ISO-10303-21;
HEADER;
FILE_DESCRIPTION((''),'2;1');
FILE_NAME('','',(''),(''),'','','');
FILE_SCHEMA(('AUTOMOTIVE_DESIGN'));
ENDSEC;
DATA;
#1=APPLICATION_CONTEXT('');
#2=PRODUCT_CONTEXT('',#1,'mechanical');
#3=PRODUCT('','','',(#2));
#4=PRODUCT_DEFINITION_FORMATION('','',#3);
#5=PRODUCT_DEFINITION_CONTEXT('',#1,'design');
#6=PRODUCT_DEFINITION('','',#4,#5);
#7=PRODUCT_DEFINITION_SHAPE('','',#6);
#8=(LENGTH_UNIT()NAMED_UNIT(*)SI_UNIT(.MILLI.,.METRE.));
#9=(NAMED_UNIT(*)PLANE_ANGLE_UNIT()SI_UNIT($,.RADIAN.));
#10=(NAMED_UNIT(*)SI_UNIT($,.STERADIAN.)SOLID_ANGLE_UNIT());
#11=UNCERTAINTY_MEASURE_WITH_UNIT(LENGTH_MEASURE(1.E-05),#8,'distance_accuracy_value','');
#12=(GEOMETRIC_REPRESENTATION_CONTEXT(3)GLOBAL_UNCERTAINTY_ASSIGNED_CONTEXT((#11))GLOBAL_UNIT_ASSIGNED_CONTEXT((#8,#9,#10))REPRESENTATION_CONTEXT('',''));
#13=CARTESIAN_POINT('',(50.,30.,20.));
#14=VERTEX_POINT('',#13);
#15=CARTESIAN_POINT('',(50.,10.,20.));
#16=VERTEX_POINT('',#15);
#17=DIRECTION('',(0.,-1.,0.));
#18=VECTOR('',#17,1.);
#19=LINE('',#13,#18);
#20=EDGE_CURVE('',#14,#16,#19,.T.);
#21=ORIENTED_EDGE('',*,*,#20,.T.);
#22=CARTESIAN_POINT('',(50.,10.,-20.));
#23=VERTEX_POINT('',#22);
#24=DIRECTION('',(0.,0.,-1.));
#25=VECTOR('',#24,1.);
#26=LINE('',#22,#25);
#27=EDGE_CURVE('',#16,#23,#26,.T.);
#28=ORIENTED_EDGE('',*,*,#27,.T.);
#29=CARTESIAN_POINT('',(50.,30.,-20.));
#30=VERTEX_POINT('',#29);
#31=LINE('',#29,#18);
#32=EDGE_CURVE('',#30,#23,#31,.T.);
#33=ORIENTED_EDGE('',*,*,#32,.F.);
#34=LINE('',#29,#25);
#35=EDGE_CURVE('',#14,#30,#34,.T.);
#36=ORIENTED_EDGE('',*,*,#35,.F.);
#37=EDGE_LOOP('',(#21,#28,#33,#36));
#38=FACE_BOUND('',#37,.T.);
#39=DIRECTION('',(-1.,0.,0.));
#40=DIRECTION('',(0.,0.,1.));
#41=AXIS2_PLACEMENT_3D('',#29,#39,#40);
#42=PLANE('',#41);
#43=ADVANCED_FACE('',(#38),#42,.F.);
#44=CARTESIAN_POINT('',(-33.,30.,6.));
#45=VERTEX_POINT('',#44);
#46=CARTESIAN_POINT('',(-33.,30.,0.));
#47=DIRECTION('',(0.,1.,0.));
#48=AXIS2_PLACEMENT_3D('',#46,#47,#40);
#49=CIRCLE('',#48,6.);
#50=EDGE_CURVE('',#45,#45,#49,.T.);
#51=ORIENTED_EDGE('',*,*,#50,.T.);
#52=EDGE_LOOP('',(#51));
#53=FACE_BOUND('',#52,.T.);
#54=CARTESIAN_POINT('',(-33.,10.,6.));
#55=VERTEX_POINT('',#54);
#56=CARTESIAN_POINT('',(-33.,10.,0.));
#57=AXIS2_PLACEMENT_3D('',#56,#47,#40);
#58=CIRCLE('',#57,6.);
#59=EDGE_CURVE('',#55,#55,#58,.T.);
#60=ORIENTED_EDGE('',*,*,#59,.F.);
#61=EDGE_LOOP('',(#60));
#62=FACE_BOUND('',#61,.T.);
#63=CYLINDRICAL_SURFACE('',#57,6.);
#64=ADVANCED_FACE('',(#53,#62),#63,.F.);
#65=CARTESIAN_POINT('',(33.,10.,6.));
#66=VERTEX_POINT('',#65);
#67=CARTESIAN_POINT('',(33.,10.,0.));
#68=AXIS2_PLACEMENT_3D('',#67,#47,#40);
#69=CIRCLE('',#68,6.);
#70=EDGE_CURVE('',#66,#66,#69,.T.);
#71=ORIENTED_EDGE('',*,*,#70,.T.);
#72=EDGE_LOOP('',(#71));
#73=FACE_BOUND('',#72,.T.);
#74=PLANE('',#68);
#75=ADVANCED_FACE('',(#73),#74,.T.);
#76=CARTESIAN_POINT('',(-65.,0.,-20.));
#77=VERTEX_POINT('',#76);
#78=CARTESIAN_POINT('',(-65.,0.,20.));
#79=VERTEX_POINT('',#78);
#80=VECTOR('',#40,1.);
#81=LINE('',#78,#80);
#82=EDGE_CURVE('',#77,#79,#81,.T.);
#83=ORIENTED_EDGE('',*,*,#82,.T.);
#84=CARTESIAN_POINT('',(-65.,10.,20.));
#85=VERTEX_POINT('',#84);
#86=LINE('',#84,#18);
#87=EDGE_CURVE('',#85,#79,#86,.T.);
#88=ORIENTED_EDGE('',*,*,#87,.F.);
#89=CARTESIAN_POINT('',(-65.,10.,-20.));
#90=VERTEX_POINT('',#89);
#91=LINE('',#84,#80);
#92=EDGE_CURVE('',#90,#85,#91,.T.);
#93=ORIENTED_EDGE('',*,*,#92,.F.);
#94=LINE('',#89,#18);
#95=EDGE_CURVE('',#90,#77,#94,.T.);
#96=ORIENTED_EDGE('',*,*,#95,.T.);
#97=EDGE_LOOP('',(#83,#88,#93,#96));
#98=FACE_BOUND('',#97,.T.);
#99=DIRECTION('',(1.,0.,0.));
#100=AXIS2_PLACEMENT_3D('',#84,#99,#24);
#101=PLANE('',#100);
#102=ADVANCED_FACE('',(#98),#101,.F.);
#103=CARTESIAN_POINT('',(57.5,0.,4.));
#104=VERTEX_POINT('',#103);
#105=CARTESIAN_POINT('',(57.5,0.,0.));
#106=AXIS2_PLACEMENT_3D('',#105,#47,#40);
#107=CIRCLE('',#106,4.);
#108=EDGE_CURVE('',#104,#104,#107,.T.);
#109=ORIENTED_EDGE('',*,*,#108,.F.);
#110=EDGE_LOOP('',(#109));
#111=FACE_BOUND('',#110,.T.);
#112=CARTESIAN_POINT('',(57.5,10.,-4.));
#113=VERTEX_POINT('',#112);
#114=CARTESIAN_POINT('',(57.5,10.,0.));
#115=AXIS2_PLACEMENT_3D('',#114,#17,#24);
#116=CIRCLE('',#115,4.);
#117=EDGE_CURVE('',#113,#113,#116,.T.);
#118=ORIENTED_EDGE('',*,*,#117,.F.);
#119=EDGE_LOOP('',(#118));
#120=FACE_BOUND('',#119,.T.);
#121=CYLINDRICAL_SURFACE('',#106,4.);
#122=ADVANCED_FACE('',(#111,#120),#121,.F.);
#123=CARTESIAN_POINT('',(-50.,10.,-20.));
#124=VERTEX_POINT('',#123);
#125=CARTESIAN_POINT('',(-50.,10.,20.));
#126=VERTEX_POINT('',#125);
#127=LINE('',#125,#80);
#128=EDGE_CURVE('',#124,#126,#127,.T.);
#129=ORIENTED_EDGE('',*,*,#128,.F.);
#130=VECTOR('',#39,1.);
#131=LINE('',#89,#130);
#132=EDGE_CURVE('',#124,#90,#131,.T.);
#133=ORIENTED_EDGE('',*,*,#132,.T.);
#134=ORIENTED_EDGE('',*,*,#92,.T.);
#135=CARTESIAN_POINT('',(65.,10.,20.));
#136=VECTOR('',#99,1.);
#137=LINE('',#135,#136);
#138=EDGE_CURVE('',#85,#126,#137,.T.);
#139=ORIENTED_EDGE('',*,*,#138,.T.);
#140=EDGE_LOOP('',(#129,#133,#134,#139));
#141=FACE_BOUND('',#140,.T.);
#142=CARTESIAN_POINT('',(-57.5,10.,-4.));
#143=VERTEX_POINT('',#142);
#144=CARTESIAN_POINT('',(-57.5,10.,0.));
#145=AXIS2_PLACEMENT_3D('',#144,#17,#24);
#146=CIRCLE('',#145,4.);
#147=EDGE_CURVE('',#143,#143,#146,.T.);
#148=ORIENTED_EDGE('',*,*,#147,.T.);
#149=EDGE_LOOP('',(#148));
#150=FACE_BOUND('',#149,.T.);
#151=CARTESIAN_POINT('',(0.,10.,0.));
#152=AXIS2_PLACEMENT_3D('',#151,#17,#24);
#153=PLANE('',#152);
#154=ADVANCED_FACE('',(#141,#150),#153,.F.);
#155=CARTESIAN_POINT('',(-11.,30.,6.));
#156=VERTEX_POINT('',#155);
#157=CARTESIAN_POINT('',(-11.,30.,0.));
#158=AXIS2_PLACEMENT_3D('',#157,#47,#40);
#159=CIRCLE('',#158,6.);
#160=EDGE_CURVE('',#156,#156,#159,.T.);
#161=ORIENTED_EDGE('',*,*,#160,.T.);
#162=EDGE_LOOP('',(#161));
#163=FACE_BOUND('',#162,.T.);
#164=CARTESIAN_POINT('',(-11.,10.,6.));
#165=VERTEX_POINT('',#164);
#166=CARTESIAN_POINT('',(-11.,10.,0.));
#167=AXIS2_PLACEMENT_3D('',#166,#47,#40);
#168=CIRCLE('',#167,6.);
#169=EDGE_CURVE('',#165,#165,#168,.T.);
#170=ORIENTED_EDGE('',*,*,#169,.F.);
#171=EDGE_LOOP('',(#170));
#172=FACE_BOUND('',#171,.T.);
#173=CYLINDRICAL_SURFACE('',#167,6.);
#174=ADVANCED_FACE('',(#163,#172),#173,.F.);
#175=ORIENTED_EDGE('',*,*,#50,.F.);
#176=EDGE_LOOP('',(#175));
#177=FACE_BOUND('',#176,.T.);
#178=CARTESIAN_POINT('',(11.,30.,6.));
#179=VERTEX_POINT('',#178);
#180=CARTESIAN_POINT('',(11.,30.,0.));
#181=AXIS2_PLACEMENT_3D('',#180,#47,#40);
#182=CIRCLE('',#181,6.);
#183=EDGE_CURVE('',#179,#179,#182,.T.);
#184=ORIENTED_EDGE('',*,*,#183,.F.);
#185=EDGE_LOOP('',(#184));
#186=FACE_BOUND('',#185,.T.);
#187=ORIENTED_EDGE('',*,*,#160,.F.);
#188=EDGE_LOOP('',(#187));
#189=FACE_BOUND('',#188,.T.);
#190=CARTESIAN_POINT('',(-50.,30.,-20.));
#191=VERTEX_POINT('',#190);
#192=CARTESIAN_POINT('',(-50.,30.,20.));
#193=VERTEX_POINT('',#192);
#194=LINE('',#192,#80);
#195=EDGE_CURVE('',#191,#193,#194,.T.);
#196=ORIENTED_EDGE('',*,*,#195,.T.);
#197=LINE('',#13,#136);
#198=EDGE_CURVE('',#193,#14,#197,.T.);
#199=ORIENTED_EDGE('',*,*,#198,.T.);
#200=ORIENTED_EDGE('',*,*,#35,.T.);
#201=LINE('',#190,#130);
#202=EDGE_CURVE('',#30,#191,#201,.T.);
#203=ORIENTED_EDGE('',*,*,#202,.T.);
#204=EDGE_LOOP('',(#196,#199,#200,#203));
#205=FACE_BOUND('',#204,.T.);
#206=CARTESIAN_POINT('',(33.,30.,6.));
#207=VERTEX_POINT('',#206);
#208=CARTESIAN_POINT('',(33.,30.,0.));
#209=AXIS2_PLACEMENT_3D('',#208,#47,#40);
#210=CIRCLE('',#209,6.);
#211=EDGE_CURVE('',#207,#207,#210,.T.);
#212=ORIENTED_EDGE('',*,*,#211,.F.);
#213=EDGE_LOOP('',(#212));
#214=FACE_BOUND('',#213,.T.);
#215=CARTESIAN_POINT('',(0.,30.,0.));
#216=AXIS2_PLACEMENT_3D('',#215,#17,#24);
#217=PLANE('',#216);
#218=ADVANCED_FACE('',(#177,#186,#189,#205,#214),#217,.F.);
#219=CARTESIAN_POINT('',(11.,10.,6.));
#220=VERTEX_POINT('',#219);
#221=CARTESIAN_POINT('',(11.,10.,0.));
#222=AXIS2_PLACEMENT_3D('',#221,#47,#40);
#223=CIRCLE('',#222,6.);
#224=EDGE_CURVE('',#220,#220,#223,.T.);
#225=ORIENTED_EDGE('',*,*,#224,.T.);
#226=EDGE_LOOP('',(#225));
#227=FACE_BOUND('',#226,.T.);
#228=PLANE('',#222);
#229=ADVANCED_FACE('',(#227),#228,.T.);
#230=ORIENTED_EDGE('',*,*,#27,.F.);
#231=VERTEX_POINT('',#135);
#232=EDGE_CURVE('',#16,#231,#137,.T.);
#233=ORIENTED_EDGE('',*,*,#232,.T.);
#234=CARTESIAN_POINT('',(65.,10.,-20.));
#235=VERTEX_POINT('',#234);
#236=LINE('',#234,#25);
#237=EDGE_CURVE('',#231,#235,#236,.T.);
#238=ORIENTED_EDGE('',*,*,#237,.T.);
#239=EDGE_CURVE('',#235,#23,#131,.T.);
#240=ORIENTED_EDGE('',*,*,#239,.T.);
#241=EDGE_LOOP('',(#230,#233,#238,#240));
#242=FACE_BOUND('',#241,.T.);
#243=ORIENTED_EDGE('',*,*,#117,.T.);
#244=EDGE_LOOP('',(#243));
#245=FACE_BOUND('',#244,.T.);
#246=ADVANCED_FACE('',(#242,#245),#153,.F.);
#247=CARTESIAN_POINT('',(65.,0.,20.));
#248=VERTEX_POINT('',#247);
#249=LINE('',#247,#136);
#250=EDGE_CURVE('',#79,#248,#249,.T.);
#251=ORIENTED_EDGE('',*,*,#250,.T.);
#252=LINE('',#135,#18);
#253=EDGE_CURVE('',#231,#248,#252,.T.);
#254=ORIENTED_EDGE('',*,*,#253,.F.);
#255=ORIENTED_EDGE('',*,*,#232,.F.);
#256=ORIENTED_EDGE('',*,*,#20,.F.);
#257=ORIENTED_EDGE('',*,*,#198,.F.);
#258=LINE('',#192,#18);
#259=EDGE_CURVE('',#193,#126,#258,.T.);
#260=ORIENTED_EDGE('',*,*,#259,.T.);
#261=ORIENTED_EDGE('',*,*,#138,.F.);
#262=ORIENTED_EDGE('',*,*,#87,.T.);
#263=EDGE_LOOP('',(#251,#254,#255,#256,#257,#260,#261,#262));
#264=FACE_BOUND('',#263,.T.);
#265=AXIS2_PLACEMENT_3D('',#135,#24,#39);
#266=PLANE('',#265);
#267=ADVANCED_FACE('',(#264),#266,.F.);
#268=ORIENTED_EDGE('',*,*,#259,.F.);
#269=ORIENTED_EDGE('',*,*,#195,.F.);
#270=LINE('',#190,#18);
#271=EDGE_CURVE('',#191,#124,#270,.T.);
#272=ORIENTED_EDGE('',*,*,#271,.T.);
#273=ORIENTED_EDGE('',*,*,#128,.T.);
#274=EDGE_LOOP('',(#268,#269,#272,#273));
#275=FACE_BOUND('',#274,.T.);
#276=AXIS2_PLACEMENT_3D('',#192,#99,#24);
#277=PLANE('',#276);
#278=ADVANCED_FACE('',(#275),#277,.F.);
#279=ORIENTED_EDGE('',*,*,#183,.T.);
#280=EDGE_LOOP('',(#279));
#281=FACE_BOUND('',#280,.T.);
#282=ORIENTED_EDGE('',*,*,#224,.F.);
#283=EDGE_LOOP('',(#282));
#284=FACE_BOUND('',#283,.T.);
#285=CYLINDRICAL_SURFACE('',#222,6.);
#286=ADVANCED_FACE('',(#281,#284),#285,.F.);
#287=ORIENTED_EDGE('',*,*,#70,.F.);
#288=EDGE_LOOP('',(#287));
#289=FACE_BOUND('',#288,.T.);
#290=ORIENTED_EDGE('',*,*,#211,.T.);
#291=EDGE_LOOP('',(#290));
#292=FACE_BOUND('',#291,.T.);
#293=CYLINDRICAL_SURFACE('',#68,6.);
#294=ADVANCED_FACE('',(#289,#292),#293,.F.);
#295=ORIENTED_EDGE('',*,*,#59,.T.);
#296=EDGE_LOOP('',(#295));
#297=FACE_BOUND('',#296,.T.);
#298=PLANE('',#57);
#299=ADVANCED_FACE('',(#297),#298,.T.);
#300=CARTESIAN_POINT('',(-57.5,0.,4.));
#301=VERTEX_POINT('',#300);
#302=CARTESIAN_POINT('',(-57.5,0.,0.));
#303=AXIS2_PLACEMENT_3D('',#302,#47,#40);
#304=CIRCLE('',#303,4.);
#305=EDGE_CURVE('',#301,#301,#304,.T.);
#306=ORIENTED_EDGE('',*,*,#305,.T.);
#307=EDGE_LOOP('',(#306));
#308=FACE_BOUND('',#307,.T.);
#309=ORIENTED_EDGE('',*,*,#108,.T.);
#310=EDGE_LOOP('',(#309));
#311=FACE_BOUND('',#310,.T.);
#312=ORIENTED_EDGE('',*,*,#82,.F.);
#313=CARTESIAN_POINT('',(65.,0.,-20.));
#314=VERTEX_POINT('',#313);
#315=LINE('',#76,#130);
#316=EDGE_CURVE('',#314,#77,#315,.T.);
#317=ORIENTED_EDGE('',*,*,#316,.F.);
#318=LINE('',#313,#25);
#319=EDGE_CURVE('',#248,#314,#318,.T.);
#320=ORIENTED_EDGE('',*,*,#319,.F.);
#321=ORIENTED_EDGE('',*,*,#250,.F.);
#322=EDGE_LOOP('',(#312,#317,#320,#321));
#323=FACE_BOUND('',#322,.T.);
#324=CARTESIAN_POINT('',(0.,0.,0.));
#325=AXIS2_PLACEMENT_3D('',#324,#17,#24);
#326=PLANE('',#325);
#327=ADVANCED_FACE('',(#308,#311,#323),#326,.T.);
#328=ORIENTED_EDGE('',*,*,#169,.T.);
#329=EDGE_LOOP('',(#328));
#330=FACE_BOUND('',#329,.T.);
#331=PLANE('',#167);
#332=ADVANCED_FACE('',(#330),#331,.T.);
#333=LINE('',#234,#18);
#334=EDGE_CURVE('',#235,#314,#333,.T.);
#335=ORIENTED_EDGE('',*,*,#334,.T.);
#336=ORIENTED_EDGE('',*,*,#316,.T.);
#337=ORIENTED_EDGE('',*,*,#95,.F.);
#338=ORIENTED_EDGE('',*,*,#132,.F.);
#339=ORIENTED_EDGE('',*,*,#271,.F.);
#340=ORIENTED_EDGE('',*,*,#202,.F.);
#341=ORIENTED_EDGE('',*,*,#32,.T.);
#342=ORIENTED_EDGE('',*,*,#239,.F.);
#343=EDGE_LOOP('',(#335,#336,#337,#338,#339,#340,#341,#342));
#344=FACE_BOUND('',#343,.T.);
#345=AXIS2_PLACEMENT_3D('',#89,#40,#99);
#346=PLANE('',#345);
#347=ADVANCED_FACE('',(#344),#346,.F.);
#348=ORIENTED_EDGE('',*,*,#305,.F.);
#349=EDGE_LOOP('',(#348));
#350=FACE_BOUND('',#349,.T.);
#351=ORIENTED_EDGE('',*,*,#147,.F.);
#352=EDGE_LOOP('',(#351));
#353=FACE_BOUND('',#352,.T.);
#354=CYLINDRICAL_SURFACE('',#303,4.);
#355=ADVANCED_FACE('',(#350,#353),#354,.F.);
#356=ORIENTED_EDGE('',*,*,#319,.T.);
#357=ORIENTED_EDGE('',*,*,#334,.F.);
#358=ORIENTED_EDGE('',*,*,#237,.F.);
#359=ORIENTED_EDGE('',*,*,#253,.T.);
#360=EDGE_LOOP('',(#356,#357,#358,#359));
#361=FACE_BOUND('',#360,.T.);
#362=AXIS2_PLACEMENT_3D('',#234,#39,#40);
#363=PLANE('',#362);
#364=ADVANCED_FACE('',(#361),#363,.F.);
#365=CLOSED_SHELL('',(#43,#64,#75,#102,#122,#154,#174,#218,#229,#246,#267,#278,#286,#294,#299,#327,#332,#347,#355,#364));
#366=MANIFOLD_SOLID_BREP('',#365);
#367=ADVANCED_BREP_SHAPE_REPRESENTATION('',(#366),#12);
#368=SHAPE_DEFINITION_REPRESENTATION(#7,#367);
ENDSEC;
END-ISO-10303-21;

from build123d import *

# Parameters (mm, degrees)
SKETCH_1_W          = 130
SKETCH_1_H          = 40
EXTRUDE_1_DEPTH     = 10
SKETCH_2_W          = 100
SKETCH_2_H          = 40
EXTRUDE_2_DEPTH     = 20
SKETCH_3_R          = 6
CUT_EXTRUDE_1_DEPTH = 20
SKETCH_4_R          = 4
CUT_EXTRUDE_2_DEPTH = 75.330343737


with BuildPart() as part:
    # 草图1 → 凸台-拉伸1 (new body)
    with BuildSketch(Plane(origin=(0, 0, 0), x_dir=(1, 0, 0), z_dir=(0, 1, 0))):
        Rectangle(SKETCH_1_W, SKETCH_1_H)
    extrude(amount=EXTRUDE_1_DEPTH)

    # 草图2 → 凸台-拉伸2 (add)
    with BuildSketch(Plane(origin=(0, 10, 0), x_dir=(1, 0, 0), z_dir=(0, 1, 0))):
        Rectangle(SKETCH_2_W, SKETCH_2_H)
    extrude(amount=EXTRUDE_2_DEPTH)

    # 草图3 → 切除-拉伸1 (cut)
    with BuildSketch(Plane(origin=(0, 30, 0), x_dir=(1, 0, 0), z_dir=(0, 1, 0))):
        with Locations(Location((-33, 0, 0), (0, 0, 270))):
            Circle(SKETCH_3_R)
        with Locations(Location((-11, 0, 0), (0, 0, 270))):
            Circle(SKETCH_3_R)
        with Locations(Location((11, 0, 0), (0, 0, 270))):
            Circle(SKETCH_3_R)
        with Locations(Location((33, 0, 0), (0, 0, 270))):
            Circle(SKETCH_3_R)
    extrude(amount=-CUT_EXTRUDE_1_DEPTH, mode=Mode.SUBTRACT)

    # 草图4 → 切除-拉伸2 (cut, through all)
    with BuildSketch(Plane(origin=(0, 30, 0), x_dir=(1, 0, 0), z_dir=(0, 1, 0))):
        with Locations(Location((-57.5, 0, 0), (0, 0, 270))):
            Circle(SKETCH_4_R)
        with Locations(Location((57.5, 0, 0), (0, 0, 270))):
            Circle(SKETCH_4_R)
    extrude(amount=-CUT_EXTRUDE_2_DEPTH, mode=Mode.SUBTRACT)


solid = part.part
